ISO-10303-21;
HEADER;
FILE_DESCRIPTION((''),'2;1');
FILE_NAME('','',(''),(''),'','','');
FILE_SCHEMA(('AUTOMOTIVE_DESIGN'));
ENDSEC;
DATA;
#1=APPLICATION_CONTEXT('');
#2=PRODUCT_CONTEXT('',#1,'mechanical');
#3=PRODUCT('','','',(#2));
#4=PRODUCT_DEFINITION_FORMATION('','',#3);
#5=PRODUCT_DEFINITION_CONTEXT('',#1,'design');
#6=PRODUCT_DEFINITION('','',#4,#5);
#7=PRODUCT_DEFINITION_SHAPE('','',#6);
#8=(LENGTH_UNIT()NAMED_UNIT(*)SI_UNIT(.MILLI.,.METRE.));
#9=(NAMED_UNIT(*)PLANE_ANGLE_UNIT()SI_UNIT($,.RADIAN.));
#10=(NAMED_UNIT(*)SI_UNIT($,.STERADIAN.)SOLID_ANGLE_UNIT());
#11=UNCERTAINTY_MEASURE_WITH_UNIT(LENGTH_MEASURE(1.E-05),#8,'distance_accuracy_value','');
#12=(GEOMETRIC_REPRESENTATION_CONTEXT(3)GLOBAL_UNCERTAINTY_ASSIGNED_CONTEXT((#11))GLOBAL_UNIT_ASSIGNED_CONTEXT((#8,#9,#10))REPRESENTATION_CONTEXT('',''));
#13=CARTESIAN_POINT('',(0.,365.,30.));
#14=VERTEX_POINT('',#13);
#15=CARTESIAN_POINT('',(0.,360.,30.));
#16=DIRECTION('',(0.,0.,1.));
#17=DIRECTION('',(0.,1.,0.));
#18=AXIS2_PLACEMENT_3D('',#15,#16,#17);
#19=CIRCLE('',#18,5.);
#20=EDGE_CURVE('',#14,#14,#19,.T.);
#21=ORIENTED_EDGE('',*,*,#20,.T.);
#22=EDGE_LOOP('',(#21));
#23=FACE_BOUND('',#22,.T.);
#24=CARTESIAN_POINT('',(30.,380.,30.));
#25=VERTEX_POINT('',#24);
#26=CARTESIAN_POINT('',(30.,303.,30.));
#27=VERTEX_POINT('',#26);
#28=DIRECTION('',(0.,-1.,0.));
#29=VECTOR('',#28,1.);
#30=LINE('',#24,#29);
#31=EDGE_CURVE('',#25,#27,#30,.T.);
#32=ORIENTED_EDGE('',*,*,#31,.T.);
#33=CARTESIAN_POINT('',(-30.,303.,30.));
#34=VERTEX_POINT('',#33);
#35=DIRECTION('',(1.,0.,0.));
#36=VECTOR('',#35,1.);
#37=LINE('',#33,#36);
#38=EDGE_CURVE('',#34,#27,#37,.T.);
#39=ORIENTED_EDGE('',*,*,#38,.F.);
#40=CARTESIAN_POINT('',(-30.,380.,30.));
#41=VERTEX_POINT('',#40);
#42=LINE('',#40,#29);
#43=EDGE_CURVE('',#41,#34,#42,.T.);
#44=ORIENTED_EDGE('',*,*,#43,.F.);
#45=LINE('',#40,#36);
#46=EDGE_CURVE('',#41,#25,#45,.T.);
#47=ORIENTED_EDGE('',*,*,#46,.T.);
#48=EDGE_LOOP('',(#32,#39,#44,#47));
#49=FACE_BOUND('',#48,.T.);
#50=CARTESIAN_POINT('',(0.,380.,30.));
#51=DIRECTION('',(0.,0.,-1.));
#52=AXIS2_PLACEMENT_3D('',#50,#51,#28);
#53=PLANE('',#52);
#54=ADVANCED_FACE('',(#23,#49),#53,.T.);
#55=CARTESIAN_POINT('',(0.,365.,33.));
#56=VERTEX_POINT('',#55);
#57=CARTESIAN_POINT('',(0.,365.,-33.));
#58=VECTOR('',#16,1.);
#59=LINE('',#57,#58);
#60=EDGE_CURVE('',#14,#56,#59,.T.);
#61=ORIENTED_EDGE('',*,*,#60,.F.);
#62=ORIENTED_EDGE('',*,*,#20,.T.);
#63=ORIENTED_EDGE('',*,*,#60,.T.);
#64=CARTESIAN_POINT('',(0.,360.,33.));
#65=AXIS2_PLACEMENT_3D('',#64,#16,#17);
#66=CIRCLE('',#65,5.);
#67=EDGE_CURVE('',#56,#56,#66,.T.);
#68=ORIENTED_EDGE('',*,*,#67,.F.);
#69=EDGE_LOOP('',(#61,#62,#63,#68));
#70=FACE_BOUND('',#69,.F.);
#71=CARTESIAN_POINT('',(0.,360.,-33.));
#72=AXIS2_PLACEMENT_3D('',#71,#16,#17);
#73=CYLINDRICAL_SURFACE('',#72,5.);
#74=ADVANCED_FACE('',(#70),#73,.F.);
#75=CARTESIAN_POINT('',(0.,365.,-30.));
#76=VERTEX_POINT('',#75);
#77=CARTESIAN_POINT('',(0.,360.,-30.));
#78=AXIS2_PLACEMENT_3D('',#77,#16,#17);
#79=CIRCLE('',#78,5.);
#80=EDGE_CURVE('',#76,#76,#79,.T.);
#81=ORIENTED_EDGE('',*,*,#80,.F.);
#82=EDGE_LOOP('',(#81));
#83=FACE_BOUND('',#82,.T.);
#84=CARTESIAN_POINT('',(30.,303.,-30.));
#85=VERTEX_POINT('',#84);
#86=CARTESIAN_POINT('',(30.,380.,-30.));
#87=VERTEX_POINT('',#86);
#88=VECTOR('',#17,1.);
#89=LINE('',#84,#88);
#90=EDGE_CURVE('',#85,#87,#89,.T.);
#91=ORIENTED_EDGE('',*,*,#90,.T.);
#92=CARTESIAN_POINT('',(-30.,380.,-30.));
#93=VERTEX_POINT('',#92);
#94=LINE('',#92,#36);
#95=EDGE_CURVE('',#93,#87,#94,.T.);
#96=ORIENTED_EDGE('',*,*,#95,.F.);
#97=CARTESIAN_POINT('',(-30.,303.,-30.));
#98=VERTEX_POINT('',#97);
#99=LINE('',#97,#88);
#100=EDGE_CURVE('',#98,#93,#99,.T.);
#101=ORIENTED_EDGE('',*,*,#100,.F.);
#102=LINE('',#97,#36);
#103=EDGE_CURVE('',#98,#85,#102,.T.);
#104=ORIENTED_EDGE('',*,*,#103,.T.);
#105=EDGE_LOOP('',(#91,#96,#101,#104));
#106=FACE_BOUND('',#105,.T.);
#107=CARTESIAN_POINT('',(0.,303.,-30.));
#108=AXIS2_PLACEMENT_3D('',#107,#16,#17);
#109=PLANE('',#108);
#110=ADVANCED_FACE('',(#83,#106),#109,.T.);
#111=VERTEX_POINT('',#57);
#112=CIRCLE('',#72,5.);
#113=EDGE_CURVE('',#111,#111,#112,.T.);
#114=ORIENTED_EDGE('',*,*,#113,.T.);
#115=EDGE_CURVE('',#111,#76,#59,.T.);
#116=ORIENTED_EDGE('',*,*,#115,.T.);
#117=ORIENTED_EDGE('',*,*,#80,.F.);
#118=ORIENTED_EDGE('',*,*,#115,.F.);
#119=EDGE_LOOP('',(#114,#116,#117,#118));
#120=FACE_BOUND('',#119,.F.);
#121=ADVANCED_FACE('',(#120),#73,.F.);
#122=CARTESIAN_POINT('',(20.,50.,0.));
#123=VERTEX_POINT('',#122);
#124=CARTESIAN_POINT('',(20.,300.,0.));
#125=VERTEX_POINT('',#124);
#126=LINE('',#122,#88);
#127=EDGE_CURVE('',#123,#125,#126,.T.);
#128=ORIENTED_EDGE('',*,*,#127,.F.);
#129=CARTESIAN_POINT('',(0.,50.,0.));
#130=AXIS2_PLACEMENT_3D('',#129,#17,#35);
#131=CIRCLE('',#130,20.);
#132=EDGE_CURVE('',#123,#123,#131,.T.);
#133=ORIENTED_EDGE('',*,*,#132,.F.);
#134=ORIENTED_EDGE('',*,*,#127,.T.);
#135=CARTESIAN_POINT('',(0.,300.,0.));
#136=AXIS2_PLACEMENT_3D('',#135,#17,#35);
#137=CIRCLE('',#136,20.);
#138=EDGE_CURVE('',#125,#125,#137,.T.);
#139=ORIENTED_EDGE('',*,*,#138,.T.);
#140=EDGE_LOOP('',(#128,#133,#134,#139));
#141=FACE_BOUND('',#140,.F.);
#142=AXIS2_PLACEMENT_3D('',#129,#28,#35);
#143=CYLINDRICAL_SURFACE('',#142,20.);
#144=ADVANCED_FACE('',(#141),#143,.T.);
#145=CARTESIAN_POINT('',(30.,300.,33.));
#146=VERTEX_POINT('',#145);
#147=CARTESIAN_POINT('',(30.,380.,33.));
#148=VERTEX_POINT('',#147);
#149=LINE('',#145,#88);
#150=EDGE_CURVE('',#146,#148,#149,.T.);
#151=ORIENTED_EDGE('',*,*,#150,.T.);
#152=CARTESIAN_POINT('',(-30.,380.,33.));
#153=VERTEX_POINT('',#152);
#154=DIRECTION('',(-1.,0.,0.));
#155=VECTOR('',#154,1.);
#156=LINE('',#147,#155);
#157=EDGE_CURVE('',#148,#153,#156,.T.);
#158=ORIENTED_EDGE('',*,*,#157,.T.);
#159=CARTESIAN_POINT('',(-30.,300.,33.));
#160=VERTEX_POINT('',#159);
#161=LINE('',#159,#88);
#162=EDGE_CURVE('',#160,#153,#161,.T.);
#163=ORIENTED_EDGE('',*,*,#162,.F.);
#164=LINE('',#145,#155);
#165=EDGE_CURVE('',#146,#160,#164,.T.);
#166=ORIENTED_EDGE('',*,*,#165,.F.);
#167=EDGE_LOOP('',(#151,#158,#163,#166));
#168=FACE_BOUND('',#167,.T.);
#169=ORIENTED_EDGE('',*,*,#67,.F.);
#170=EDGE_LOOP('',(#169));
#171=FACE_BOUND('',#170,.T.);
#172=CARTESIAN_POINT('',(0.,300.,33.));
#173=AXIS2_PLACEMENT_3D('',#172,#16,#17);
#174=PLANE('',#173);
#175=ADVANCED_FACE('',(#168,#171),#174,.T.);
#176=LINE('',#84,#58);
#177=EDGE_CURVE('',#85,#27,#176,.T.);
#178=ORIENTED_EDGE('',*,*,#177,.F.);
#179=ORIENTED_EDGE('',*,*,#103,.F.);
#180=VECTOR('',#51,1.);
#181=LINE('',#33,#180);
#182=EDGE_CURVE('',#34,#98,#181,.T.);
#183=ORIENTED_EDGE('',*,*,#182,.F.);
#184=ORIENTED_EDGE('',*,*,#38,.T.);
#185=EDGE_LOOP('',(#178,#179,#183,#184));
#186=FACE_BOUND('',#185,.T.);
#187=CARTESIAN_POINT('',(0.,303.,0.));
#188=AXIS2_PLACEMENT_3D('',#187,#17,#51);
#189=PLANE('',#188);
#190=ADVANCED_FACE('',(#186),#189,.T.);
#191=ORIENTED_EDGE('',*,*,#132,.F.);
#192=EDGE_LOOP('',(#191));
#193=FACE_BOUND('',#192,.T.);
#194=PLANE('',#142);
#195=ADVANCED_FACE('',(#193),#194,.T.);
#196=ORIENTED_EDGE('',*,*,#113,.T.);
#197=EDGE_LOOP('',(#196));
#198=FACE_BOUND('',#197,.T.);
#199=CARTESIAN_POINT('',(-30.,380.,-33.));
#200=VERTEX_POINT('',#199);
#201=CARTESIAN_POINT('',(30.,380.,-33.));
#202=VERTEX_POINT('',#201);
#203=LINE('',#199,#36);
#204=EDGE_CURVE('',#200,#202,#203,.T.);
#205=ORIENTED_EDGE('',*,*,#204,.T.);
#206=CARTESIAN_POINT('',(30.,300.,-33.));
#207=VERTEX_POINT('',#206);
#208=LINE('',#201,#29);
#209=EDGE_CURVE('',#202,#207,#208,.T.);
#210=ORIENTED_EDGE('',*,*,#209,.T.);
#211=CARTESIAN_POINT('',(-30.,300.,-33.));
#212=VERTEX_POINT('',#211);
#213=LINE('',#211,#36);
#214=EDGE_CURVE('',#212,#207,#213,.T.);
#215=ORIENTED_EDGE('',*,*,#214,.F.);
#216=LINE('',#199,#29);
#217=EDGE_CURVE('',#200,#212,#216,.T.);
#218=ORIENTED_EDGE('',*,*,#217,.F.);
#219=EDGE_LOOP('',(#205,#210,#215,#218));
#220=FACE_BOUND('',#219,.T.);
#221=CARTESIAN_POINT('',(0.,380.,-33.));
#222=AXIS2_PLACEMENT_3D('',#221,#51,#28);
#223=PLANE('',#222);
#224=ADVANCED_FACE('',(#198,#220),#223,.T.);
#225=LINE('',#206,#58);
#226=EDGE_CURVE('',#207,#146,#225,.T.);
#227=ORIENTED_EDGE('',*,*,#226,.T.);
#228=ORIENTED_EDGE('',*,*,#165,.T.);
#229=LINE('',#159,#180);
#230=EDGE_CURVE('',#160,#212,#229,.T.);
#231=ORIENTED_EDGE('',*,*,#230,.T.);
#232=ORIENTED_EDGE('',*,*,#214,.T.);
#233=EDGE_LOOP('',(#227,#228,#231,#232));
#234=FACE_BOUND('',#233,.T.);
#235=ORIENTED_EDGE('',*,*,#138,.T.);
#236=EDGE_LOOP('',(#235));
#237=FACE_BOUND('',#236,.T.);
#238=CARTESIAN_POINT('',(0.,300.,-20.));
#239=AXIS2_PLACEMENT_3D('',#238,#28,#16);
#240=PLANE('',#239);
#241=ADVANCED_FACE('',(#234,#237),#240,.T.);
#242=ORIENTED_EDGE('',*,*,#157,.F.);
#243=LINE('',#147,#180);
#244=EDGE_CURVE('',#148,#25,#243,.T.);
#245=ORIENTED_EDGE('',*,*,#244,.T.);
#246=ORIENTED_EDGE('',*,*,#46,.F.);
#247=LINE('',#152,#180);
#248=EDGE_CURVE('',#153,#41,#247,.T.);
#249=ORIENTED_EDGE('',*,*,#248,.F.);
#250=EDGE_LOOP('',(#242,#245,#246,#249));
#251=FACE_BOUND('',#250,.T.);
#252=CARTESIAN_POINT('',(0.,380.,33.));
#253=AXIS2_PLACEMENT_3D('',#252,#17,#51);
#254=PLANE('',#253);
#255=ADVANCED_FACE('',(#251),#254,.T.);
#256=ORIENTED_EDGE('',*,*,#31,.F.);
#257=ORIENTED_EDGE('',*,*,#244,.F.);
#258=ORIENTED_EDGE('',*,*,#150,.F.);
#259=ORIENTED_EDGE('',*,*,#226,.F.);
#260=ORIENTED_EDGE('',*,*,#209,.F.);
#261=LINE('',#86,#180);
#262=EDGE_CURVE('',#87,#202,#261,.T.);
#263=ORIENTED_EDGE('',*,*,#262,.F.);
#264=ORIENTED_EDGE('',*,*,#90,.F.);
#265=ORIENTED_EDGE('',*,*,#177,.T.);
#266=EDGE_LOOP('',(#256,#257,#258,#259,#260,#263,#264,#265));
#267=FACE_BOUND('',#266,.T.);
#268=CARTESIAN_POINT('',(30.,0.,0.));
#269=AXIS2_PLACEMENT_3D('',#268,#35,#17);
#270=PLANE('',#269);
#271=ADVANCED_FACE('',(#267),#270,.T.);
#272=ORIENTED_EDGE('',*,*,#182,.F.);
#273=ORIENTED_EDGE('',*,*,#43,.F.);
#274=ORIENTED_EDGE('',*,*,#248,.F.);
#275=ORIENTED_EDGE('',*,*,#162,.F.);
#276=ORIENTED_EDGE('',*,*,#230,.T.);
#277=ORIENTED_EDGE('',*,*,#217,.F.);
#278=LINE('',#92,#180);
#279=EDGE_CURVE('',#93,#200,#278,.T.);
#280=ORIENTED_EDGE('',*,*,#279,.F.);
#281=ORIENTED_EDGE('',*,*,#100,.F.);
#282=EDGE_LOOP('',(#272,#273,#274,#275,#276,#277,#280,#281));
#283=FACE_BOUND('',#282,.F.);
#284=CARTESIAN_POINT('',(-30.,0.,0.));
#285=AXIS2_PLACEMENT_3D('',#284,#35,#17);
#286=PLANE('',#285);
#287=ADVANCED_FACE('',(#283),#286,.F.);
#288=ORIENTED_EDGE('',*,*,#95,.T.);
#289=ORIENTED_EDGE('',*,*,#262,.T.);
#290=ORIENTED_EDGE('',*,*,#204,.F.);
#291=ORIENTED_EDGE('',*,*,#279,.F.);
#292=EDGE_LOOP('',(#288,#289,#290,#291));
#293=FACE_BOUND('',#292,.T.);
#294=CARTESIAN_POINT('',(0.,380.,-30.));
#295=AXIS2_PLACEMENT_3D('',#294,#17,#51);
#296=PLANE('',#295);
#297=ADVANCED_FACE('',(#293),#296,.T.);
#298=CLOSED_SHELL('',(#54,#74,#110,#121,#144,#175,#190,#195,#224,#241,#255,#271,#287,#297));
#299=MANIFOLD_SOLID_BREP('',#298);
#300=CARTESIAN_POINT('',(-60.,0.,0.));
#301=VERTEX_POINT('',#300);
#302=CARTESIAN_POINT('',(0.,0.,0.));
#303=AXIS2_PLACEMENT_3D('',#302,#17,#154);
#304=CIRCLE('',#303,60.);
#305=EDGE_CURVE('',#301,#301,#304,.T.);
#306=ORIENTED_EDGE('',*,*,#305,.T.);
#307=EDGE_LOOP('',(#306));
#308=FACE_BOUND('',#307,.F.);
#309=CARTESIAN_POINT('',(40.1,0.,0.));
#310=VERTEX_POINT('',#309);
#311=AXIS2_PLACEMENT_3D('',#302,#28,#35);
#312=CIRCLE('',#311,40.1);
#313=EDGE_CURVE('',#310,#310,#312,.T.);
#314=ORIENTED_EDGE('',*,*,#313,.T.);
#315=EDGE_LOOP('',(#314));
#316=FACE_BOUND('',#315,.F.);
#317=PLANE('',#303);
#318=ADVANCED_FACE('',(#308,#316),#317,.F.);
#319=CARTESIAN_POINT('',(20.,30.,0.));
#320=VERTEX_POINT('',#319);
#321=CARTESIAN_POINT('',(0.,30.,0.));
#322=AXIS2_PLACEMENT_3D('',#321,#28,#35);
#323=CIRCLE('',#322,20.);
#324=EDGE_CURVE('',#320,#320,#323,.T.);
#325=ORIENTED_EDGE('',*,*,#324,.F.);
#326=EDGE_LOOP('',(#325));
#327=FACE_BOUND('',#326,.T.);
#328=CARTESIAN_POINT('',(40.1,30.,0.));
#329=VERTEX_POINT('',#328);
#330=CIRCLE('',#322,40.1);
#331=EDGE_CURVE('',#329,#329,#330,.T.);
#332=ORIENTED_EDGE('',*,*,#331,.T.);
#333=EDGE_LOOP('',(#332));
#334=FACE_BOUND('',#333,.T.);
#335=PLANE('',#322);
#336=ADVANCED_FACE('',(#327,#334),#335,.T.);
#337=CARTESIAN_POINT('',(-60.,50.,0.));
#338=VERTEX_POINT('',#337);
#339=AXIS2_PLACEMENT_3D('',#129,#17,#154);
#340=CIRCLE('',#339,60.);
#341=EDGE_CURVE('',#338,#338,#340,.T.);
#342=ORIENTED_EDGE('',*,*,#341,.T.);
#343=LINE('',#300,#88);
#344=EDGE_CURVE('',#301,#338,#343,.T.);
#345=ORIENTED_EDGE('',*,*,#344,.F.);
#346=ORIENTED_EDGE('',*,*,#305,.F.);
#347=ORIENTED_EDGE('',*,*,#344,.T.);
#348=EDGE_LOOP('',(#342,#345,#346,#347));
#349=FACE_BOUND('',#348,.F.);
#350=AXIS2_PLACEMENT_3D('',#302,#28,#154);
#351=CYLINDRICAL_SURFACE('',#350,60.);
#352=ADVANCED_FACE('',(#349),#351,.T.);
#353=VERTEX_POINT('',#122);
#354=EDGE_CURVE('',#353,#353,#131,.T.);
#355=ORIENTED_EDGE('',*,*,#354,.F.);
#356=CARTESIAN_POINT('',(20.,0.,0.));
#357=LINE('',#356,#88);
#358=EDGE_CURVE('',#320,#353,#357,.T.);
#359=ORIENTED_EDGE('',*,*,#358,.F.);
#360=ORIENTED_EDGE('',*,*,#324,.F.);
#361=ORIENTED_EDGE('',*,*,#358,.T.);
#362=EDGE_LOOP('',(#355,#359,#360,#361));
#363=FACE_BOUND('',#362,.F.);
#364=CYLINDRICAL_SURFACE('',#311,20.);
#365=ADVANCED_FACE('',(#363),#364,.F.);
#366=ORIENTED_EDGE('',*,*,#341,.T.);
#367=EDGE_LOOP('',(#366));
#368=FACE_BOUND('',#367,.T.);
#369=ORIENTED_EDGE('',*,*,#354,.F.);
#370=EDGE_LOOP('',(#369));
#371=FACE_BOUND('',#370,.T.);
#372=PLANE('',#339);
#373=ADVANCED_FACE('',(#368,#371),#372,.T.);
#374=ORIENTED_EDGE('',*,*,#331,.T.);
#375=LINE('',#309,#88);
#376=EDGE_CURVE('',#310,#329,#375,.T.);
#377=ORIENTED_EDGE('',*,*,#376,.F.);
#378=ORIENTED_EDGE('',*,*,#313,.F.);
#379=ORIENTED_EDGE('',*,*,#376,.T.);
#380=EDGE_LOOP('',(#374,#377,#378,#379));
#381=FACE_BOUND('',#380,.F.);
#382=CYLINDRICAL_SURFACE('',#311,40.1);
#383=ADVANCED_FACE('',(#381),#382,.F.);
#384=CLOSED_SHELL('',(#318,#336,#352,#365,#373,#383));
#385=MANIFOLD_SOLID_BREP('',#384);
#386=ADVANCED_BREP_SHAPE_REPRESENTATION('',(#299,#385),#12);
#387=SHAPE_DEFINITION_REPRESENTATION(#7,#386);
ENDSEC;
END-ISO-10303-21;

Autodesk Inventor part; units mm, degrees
ref_plane "YZ Plane" through (0, 0, 0) normal (1, 0, 0) x (0, 1, 0)
ref_plane "XZ Plane" through (0, 0, 0) normal (0, 1, 0) x (-1, 0, 0)
ref_plane "XY Plane" through (0, 0, 0) normal (0, 0, 1) x (1, 0, 0)
sketch "Sketch1" plane through (0, 0, 0) normal (0, 1, 0) x (-1, 0, 0)
  circle A0 centre (0, 0) radius 60
  dimension "d0" = 120
extrude "Extrusion1" add sketch "Sketch1" along normal blind 50
sketch "Sketch2" plane through (0, 50, 0) normal (0, 1, 0) x (1, 0, 0)
  circle A0 centre (0, 0) radius 20
  dimension "d3" = 40
extrude "Extrusion2" add sketch "Sketch2" along normal blind 250
sketch "Sketch4" plane through (0, 0, 0) normal (0, -1, 0) x (1, 0, 0)
  circle A0 centre (0, 0) radius 60 projected
  circle A1 centre (0, 0) radius 40.1
  dimension "d11" = 80.2
extrude "Extrusion4" cut sketch "Sketch4" against normal blind 30 contours A1
sketch "Sketch5" plane through (0, 0, 0) normal (0, -1, 0) x (1, 0, 0)
  circle A0 centre (0, 0) radius 20
  dimension "d14" = 40
extrude "Extrusion5" cut sketch "Sketch5" against normal blind 50
sketch "Sketch11" plane through (0, 0, 0) normal (1, 0, 0) x (0, 1, 0)
  line L0 (300, -20) -> (300, 20) projected
  line L1 (300, 33) -> (380, 33)
  line L2 (380, -33) -> (300, -33)
  line L3 (300, -33) -> (300, 33)
  line L4 (300, 0) -> (400, 0)
  line L5 (380, 30) -> (303, 30)
  line L6 (303, 30) -> (303, -30)
  line L7 (303, -30) -> (380, -30)
  line L8 (380, 33) -> (380, 30)
  line L9 (380, -30) -> (380, -33)
  point P0 (0, 0)
  dimension "d50" = 3
  dimension "d51" = 80
  dimension "d52" = 3
  dimension "d64" = 60
extrude "Extrusion8" add sketch "Sketch11" along normal mid plane 60
sketch "Sketch12" plane through (30, 380, -33) normal (0, 0, -1) x (-1, 0, 0)
  line L0 (60, -80) -> (0, -80) projected
  line L1 (0, -80) -> (0, 0) projected
  point P0 (30, -380)
  point P1 (30, -20)
  dimension "d55" = 60
  dimension "d56" = 30
hole "Hole3" at (0, 360, -33) direction (0, 0, 1) diameter 10 end through all
properties part number "Base Arm 2"
